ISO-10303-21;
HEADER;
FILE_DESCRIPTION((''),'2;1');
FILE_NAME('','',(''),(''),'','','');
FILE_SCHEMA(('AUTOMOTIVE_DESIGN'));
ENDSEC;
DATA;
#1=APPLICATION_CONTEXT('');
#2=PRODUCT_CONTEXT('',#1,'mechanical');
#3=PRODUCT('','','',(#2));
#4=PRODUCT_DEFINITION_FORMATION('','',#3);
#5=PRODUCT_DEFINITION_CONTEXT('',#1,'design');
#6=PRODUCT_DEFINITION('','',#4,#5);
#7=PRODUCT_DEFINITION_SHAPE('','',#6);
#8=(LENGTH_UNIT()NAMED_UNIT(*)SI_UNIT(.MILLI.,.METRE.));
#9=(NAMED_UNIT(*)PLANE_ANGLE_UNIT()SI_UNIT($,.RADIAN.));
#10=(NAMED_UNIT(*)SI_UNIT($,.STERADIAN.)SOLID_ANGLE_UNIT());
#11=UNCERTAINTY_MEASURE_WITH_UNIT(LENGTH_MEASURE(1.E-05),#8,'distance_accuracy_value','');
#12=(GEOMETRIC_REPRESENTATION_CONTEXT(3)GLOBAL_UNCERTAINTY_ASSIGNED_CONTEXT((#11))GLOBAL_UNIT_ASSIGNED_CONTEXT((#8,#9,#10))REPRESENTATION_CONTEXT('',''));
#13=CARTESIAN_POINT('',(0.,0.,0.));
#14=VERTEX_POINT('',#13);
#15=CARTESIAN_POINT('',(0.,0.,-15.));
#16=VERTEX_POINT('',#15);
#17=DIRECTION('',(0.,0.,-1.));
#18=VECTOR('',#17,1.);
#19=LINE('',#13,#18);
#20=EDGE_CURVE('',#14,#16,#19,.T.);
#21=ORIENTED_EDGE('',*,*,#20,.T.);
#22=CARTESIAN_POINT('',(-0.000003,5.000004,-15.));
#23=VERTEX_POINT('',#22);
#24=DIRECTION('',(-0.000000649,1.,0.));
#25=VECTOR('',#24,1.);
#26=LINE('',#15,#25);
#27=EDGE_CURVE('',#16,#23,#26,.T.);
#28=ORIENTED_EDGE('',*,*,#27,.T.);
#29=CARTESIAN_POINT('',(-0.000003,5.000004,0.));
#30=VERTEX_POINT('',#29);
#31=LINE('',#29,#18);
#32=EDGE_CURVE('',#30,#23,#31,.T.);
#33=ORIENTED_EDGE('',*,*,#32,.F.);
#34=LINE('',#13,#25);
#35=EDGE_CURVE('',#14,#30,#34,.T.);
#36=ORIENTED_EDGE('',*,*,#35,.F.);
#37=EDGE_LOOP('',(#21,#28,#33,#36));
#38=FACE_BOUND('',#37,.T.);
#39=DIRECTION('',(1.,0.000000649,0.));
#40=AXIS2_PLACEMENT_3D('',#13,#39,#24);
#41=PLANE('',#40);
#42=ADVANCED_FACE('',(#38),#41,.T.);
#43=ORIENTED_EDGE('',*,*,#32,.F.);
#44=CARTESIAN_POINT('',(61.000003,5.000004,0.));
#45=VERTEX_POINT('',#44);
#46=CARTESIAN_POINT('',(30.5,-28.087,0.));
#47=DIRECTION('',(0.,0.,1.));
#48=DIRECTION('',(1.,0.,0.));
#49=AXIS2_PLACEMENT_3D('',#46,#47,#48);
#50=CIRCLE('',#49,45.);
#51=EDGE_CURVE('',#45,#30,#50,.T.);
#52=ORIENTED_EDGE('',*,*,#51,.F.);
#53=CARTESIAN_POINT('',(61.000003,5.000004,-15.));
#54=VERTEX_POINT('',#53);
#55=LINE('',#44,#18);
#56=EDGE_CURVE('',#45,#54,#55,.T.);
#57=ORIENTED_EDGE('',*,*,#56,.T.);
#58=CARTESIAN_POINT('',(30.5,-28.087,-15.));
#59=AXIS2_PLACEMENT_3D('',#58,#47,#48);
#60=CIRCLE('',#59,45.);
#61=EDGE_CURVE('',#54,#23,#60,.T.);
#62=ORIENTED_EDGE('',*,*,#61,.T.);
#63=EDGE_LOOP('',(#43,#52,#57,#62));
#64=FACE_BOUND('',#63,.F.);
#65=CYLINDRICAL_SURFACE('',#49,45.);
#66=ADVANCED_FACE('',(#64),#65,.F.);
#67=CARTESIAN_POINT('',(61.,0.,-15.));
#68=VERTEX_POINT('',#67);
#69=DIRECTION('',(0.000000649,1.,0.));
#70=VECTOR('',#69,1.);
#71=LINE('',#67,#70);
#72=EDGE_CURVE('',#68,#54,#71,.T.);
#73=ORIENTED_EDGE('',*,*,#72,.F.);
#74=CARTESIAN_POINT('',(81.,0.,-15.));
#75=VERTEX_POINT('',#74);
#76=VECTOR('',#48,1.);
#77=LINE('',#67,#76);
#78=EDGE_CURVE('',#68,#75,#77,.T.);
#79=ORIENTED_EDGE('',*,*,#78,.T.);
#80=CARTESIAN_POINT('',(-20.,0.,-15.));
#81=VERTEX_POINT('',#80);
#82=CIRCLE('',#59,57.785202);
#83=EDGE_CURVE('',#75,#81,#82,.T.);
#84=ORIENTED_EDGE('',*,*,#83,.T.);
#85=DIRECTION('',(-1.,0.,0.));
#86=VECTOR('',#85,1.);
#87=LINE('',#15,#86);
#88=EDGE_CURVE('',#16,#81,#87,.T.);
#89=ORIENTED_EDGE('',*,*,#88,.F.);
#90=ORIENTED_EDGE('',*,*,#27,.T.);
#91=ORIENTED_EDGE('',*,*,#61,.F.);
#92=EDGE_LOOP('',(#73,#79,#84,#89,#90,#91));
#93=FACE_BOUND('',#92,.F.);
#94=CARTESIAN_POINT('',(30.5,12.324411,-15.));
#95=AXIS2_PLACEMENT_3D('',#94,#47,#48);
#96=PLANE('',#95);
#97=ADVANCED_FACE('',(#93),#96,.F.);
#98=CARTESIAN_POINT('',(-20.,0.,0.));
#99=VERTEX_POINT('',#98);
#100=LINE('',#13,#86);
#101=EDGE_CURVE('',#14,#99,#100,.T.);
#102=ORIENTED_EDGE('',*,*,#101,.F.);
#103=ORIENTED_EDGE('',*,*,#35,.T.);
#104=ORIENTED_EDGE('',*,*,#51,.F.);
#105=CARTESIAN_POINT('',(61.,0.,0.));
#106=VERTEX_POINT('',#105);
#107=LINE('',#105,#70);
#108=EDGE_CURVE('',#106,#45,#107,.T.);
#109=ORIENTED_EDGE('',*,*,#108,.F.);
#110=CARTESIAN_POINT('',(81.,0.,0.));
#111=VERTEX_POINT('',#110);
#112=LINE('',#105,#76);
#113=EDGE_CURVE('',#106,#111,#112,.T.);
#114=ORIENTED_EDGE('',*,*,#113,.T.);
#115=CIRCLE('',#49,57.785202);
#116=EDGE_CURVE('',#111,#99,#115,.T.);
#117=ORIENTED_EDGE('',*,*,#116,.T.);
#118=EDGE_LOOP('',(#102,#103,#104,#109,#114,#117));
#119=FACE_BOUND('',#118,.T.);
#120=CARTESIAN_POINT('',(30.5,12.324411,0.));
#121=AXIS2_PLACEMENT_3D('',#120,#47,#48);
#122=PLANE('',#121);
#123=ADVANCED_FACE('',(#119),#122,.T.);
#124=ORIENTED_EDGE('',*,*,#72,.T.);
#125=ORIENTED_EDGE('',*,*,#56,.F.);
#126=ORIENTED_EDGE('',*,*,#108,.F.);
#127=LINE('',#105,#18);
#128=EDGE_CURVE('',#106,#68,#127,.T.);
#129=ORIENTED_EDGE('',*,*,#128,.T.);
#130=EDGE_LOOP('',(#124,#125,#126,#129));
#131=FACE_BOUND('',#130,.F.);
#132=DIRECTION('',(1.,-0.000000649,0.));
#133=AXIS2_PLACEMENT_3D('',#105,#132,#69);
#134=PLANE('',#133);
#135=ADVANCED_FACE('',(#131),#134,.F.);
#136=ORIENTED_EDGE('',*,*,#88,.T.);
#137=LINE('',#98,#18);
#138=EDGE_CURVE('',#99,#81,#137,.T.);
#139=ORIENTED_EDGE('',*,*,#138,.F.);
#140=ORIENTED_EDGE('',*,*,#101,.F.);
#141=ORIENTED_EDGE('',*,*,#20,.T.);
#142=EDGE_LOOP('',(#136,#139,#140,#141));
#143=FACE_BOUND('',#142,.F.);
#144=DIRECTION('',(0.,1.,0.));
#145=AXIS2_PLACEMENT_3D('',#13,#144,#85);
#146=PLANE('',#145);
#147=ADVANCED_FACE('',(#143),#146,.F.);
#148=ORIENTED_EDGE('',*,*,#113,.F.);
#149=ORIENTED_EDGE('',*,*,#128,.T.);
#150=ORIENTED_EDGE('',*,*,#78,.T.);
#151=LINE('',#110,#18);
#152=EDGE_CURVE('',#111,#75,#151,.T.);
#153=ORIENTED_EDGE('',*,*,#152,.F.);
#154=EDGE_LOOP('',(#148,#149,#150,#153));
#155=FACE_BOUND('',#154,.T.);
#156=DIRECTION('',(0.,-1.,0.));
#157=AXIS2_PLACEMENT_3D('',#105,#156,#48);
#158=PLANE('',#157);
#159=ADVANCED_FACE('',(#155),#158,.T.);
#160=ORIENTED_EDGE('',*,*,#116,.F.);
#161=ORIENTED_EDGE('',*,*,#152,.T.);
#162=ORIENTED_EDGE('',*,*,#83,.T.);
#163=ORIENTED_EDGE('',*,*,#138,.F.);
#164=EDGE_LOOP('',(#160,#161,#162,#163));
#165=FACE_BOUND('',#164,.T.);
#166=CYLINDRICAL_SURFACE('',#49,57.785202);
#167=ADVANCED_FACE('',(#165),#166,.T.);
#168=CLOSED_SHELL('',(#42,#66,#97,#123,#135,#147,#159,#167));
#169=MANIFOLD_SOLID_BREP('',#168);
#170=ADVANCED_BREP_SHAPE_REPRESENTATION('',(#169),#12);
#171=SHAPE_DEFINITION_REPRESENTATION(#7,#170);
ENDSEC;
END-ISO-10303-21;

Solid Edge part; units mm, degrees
sketch "Sketch1" plane through (0, 0, 0) normal (0, 0, 1) x (1, 0, 0)
  line L0 (0, 0) -> (0, 5)
  arc A0 (61, 5) -> (0, 5) centre (30.5, -28.087) ccw
  line L1 (61, 0) -> (61, 5)
  line L2 (61, 0) -> (81, 0)
  arc A1 (81, 0) -> (-20, 0) centre (30.5, -28.087) ccw
  line L3 (0, 0) -> (-20, 0)
  dimension "D1" = 5
  dimension "D2" = 5
  dimension "D3" = 61
  dimension "D4" = 20
  dimension "D5" = 20
  dimension "D6" = 45
  dimension "D7" = 57.7852
extrude "Protrusion1" add sketch "Sketch1" against normal blind 15
properties material "Aluminum, 6061-T6"
